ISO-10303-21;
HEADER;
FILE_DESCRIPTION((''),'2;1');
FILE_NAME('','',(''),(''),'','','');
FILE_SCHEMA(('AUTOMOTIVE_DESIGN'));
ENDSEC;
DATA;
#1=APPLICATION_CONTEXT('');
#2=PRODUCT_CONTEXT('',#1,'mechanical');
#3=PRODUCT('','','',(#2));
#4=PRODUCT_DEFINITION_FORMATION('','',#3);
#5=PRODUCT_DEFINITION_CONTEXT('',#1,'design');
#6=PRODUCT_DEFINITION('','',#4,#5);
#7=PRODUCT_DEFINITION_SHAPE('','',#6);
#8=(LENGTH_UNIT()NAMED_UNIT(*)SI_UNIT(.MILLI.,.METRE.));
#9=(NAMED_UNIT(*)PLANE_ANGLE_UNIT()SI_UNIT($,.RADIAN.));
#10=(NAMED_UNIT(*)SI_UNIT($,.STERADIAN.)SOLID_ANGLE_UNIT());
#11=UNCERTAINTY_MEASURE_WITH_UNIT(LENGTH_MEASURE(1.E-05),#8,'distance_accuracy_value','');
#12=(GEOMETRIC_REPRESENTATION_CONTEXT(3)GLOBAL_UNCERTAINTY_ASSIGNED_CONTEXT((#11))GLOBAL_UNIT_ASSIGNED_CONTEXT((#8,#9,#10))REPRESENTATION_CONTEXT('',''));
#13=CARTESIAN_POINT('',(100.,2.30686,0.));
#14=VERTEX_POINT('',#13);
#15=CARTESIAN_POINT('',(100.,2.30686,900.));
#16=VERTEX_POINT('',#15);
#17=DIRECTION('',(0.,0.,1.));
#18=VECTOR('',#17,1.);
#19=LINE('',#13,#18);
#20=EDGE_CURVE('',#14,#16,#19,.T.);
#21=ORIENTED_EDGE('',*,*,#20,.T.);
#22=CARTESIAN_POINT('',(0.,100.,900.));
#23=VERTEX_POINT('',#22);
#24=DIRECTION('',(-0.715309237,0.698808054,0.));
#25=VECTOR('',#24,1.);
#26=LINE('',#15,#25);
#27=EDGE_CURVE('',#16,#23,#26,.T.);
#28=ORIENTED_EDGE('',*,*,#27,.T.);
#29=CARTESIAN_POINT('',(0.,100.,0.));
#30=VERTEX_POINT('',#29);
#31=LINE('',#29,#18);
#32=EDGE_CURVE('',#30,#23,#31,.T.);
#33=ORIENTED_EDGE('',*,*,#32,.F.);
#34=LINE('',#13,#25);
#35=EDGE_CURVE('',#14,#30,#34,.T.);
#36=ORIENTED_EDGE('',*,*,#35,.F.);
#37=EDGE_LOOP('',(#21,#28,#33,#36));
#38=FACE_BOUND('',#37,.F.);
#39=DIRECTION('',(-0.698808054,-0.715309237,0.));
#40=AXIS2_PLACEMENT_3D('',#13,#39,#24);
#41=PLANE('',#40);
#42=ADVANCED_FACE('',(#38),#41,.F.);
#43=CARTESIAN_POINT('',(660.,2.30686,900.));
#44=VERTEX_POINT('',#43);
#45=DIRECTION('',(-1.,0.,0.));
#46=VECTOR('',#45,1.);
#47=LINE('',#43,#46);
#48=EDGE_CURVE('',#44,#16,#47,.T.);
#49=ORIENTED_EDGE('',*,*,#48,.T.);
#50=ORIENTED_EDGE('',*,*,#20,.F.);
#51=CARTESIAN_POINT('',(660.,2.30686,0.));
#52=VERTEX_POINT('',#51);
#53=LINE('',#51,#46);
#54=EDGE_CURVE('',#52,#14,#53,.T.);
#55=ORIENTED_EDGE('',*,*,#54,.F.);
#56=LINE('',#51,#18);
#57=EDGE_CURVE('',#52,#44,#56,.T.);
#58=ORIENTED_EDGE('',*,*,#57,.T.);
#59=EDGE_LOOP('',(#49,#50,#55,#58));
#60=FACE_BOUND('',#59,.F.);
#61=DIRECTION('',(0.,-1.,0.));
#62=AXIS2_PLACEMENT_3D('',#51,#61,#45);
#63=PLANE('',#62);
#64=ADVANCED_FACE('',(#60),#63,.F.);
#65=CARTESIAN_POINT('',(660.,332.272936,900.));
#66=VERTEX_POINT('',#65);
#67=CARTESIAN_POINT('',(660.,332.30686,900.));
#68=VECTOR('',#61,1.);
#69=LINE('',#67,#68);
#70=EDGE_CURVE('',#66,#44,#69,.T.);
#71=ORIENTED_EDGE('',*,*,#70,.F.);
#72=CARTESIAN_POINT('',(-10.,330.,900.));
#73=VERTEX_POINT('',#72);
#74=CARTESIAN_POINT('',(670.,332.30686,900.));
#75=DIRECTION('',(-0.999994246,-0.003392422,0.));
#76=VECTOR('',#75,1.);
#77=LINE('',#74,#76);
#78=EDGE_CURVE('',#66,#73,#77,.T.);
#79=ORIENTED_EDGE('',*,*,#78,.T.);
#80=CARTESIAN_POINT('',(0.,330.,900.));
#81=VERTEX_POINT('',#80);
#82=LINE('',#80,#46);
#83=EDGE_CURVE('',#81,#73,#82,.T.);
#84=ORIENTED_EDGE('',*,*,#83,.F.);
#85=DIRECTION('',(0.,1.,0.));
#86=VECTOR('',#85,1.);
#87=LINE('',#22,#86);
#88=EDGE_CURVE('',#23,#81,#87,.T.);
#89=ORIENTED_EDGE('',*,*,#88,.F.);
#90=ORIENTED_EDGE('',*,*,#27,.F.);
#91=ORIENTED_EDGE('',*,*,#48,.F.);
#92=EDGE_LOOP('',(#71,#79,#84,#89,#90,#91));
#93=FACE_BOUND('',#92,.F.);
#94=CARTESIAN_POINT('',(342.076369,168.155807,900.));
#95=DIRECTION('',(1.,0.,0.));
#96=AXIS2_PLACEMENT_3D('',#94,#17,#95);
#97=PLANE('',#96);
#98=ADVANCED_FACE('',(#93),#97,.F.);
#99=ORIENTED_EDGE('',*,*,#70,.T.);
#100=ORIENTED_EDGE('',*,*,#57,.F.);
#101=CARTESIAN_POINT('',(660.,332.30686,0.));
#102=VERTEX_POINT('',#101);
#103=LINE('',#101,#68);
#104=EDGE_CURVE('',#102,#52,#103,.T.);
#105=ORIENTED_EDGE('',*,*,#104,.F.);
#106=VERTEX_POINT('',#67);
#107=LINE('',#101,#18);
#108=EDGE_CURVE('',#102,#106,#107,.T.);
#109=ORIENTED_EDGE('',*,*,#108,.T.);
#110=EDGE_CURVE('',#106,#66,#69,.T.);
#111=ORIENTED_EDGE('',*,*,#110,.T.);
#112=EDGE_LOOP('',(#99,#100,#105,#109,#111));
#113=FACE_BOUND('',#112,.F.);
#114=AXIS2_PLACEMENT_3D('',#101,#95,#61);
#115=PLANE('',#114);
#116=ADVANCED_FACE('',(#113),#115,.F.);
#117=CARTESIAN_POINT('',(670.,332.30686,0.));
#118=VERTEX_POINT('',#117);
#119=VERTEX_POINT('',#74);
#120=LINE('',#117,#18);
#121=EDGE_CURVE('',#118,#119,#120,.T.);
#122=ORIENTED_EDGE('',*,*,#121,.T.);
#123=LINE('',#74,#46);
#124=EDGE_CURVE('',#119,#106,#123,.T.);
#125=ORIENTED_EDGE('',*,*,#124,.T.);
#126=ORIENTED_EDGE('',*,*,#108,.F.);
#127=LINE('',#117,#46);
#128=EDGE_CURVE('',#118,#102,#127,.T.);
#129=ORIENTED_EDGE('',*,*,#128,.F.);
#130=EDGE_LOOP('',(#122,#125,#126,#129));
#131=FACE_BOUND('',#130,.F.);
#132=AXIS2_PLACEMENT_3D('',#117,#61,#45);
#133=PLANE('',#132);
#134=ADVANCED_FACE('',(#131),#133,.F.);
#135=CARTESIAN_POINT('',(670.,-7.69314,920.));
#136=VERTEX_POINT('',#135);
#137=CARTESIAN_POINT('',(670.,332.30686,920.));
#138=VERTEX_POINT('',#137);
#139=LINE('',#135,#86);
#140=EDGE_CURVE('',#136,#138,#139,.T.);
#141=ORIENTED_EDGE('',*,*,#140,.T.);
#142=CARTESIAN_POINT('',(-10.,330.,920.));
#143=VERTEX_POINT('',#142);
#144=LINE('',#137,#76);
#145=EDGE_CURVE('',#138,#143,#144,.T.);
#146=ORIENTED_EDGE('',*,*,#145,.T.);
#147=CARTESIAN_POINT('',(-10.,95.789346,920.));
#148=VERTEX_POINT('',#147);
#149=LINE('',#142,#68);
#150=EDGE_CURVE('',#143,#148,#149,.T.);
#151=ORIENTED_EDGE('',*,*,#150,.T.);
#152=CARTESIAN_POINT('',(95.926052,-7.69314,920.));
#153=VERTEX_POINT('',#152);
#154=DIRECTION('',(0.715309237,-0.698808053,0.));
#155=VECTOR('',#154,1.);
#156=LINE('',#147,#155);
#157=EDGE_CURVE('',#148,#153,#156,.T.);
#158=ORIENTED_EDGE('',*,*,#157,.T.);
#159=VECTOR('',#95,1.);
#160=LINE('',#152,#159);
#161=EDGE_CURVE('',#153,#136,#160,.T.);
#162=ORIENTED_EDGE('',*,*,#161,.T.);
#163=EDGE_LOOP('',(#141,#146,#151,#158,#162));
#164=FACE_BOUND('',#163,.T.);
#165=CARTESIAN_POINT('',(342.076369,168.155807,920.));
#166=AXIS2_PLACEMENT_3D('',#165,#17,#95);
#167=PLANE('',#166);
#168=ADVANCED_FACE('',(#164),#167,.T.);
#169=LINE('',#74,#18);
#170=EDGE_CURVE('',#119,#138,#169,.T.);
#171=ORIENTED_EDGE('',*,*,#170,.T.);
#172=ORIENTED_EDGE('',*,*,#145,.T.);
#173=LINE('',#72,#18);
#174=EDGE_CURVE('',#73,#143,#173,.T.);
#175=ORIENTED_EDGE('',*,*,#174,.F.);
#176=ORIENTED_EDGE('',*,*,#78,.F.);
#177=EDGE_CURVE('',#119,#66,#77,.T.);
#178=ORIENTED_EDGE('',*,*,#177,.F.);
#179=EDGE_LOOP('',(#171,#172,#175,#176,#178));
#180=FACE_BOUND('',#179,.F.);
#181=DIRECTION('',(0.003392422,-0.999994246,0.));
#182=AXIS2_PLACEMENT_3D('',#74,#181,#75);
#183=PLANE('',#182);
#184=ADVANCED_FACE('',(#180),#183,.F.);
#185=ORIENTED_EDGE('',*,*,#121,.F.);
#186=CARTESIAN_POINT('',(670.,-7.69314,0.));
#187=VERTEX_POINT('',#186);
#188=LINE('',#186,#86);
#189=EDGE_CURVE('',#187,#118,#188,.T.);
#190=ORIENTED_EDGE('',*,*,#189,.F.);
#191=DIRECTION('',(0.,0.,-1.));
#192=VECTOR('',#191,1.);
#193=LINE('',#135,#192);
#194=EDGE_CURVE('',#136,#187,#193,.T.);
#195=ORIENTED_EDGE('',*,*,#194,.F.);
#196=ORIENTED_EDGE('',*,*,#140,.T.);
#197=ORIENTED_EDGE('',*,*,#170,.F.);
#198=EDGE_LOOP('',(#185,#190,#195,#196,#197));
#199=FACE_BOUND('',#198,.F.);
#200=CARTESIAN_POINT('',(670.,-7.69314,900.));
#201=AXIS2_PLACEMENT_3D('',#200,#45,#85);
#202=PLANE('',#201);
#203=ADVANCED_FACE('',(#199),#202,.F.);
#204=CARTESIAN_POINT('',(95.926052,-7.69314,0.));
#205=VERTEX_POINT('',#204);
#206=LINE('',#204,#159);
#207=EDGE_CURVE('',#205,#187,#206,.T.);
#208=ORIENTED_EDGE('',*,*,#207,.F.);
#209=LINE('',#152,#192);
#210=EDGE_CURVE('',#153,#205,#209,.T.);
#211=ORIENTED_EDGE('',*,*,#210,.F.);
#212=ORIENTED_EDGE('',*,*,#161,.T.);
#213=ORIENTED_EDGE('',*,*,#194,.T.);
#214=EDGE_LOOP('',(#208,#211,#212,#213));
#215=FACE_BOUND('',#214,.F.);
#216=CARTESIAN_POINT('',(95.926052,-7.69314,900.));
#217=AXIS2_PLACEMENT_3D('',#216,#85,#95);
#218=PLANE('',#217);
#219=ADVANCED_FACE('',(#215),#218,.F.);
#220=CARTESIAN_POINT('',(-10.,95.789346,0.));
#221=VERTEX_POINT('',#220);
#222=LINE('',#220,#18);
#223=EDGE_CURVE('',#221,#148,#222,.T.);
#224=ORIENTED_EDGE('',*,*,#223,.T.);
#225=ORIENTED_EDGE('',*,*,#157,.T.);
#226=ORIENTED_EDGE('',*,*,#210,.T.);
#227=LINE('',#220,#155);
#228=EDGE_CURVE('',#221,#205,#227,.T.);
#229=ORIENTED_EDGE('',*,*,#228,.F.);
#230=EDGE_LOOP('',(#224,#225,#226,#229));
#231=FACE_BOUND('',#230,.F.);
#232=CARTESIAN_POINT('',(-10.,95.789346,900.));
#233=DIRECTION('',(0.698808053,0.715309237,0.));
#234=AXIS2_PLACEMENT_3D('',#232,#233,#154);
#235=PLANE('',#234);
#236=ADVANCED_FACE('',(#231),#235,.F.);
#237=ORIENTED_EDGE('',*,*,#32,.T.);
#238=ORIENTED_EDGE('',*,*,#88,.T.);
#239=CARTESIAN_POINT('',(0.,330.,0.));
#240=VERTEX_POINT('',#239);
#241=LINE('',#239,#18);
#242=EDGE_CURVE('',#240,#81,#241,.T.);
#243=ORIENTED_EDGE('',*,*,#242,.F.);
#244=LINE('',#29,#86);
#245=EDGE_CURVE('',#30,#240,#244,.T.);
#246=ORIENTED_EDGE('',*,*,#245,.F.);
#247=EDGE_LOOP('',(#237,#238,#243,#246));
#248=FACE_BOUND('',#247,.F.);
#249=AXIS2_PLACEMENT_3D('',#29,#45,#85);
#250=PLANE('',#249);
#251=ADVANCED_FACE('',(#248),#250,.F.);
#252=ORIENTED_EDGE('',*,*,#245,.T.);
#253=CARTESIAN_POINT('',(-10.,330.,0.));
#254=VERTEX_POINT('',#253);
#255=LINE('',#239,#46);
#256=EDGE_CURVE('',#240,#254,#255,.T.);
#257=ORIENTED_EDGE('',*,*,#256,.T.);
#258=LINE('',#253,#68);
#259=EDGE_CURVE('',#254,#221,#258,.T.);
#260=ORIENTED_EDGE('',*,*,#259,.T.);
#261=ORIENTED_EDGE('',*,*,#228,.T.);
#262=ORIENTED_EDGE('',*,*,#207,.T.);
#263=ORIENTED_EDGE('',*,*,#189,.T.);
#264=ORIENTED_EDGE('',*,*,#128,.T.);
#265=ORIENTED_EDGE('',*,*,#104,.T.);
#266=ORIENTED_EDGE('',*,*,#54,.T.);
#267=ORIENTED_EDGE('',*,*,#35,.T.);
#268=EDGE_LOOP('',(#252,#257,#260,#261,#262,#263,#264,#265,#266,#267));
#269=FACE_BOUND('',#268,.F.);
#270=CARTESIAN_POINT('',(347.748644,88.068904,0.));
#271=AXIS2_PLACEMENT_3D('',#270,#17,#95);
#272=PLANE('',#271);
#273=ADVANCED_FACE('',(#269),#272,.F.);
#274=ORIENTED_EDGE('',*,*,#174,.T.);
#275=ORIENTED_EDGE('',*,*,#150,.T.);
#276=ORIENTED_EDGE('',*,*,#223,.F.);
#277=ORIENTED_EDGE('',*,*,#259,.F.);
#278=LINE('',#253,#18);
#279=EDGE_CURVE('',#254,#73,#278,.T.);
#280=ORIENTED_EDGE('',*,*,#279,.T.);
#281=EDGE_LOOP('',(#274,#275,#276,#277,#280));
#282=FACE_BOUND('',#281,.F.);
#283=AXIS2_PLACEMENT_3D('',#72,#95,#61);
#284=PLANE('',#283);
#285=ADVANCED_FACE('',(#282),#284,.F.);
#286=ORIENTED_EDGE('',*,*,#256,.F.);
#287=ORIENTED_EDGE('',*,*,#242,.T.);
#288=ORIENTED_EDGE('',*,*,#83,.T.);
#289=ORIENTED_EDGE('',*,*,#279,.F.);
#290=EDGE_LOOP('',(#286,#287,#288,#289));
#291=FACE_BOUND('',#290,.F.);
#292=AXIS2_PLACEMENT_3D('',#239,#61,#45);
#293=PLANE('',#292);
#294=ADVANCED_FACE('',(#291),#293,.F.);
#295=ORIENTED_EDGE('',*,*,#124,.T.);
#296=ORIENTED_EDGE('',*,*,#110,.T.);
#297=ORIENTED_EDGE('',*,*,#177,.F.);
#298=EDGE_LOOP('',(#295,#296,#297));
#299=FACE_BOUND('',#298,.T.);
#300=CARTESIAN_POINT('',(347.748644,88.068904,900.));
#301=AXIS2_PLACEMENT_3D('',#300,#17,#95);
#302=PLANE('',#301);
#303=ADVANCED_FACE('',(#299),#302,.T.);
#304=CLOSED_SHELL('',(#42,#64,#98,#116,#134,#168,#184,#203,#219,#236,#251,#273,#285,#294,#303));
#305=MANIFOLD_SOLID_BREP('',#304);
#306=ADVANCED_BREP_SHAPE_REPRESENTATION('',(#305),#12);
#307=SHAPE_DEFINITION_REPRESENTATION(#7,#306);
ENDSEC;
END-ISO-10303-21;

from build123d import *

# Parameters (mm, degrees)
F1_DEPTH = 900
F3_DEPTH = 20


with BuildPart() as f1:
    # F0 (on Top) → F1 (new body)
    with BuildSketch(Plane.XY):
        Polygon((0, 100), (0, 330), (-10, 330), (-10, 95.789346), (95.926052, -7.69314), (670, -7.69314), (670, 332.30686), (660, 332.30686), (660, 2.30686), (100, 2.30686), align=None)
    extrude(amount=F1_DEPTH)

    # F2 (on face) → F3 (join)
    with BuildSketch(Plane.XY.offset(900)):
        Polygon((670, 332.30686), (-10, 330), (-10, 95.789346), (95.926052, -7.69314), (670, -7.69314), align=None)
    extrude(amount=F3_DEPTH)


solid = f1.part
